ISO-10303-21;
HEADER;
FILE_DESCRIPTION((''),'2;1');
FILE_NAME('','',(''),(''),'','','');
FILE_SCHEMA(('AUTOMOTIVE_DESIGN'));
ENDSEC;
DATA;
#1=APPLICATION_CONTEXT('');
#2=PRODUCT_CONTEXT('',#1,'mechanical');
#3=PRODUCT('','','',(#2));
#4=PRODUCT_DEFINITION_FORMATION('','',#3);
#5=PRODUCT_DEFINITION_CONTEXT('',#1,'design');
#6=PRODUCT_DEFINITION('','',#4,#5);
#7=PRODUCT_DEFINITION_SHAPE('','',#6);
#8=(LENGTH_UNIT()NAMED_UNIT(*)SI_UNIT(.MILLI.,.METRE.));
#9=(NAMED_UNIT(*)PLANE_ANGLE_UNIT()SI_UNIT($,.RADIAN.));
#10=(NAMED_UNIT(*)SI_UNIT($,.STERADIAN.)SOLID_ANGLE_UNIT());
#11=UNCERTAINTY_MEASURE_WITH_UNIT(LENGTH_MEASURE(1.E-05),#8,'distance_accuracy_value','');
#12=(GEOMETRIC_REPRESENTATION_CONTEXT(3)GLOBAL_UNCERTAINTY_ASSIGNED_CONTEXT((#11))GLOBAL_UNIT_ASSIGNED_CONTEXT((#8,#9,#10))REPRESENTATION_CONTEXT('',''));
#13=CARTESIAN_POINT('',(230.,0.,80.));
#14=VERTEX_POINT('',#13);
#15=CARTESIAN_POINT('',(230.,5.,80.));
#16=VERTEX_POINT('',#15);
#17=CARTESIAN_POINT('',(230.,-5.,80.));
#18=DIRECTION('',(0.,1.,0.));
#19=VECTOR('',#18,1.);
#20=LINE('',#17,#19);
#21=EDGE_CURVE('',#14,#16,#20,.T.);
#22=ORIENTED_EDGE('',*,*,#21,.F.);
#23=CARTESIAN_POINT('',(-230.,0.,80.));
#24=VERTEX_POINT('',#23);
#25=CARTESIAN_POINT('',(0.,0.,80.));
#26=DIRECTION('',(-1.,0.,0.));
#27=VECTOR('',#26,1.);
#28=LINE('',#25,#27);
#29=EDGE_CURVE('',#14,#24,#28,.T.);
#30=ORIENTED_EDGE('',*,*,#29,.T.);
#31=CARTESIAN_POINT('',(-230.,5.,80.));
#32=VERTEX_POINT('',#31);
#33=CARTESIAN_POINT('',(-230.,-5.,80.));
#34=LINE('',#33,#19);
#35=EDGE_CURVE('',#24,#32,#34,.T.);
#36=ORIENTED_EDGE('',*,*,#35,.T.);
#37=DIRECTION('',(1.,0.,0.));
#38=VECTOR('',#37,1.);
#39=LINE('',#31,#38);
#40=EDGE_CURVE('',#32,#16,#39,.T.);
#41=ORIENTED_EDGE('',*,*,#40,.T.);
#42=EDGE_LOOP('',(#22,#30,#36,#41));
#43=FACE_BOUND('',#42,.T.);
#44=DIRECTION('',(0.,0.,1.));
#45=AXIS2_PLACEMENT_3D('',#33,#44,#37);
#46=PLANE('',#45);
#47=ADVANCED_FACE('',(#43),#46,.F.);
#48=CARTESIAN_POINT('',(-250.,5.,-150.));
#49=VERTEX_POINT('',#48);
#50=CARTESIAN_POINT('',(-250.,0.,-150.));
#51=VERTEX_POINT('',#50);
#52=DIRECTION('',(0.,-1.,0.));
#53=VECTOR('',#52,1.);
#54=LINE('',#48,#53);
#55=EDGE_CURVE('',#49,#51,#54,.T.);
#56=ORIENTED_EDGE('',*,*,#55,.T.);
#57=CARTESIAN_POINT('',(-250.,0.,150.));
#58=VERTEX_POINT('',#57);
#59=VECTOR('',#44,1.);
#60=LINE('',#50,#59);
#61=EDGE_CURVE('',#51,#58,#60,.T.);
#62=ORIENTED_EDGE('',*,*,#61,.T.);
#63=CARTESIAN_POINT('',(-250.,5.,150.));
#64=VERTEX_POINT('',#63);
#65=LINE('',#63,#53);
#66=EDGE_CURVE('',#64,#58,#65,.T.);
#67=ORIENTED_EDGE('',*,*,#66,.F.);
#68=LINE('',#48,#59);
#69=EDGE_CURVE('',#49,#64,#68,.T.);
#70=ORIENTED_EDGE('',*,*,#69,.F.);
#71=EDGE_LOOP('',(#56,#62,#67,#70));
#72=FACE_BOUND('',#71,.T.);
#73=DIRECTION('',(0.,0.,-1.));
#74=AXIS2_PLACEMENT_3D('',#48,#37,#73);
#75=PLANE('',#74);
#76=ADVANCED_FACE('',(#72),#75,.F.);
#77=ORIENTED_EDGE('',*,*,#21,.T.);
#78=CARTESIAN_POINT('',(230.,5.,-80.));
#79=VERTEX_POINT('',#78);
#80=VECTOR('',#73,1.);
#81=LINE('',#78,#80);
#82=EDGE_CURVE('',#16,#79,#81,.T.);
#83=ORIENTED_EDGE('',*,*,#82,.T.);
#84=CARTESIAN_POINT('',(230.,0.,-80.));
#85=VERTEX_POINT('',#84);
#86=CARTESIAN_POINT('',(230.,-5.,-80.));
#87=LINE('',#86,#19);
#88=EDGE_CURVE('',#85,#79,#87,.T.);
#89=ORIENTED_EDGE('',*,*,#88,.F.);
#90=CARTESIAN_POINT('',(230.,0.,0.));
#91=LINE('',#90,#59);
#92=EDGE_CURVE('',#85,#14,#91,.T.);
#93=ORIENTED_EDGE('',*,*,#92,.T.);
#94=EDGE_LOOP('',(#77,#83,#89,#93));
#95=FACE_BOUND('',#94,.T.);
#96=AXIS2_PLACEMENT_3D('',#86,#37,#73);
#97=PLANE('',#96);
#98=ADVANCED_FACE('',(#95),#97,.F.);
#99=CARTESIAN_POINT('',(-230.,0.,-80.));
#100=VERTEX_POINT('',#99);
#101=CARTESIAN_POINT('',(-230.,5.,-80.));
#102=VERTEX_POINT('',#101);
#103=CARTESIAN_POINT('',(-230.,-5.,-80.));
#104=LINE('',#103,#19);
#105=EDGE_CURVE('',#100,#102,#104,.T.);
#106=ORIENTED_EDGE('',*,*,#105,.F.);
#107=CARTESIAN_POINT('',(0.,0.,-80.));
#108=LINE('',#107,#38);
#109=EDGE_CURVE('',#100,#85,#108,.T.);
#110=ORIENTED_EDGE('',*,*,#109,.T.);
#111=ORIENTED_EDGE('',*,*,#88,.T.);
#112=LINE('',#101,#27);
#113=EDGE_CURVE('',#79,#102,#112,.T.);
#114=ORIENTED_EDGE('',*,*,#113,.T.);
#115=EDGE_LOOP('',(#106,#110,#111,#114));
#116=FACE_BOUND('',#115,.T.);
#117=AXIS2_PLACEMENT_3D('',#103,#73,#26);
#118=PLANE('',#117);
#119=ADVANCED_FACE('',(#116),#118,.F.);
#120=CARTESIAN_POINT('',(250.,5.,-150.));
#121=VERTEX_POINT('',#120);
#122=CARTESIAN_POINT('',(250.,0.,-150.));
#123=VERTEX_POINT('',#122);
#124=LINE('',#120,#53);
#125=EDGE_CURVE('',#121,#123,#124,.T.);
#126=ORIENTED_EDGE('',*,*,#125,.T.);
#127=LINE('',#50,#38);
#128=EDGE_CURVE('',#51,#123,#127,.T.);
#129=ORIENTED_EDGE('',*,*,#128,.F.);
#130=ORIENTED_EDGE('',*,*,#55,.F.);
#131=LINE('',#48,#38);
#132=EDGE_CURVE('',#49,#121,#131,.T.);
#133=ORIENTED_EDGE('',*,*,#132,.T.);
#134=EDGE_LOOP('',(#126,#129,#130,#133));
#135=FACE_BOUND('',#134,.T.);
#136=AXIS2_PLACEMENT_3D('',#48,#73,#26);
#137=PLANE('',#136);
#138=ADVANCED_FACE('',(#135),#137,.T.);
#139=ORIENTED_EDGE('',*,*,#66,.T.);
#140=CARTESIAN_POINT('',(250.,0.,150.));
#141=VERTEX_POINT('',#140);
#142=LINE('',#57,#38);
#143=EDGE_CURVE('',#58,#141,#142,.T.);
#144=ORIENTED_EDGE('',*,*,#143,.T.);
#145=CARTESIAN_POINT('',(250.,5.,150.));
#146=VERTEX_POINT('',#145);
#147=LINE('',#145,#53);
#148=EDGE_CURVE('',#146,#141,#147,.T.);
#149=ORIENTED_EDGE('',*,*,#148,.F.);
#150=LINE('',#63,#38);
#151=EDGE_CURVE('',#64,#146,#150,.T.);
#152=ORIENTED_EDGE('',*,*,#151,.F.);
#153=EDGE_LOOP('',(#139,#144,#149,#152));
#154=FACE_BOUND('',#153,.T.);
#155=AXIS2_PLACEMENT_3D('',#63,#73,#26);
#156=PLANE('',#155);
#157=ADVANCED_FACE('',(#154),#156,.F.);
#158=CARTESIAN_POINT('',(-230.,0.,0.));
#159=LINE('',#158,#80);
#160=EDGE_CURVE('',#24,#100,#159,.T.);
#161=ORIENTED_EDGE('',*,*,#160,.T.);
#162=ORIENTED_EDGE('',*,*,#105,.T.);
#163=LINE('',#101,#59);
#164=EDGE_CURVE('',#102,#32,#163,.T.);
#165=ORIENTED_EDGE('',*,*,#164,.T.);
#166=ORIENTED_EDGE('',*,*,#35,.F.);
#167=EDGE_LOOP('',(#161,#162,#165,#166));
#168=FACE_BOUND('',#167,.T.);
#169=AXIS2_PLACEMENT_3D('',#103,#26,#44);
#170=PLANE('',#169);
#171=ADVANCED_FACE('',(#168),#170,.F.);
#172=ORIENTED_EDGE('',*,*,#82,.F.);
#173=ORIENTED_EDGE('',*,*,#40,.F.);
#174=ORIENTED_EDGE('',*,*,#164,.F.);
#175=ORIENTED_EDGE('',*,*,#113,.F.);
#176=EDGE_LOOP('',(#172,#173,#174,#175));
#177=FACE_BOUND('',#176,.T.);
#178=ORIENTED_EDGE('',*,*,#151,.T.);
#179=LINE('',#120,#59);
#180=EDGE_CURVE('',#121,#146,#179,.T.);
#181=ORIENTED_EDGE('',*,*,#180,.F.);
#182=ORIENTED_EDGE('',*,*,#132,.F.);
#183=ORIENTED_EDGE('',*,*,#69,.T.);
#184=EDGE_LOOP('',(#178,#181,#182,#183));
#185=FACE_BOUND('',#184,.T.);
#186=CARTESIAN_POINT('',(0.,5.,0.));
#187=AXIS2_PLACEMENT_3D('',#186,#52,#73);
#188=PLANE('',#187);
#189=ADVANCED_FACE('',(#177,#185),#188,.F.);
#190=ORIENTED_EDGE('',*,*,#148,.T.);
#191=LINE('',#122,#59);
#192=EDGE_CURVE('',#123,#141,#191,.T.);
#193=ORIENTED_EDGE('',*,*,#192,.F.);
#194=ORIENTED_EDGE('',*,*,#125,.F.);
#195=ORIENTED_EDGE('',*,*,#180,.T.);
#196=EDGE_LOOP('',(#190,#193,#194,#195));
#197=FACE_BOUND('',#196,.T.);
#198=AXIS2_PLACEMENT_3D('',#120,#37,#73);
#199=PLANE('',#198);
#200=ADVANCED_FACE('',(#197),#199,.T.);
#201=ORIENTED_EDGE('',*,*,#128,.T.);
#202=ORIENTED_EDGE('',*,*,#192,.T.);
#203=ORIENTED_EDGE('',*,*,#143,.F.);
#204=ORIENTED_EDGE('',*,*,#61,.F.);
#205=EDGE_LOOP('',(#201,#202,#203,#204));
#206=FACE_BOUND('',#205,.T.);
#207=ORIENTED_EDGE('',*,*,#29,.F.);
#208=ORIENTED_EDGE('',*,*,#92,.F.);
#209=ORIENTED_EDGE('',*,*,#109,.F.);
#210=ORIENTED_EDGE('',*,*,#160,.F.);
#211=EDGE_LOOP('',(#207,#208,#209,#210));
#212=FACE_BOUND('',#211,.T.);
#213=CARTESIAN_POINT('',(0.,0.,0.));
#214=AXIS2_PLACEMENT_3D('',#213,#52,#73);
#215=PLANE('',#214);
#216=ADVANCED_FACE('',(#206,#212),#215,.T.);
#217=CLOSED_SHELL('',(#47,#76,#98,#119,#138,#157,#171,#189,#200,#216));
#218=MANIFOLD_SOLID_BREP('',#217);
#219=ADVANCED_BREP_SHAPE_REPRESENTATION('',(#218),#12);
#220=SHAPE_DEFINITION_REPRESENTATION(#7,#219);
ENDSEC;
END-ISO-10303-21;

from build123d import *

# Parameters (mm, degrees)
SKETCH1_W           = 500
SKETCH1_H           = 300
BOSS_EXTRUDE1_DEPTH = 5
SKETCH2_W           = 460
SKETCH2_H           = 160
CUT_EXTRUDE1_DEPTH  = 10


with BuildPart() as part:
    # Sketch1 → Boss-Extrude1 (new body)
    with BuildSketch(Plane(origin=(0, 0, 0), x_dir=(1, 0, 0), z_dir=(0, 1, 0))):
        Rectangle(SKETCH1_W, SKETCH1_H)
    extrude(amount=BOSS_EXTRUDE1_DEPTH)

    # Sketch2 → Cut-Extrude1 (cut)
    with BuildSketch(Plane(origin=(0, 5, 0), x_dir=(1, 0, 0), z_dir=(0, 1, 0))):
        Rectangle(SKETCH2_W, SKETCH2_H)
    extrude(amount=-CUT_EXTRUDE1_DEPTH, mode=Mode.SUBTRACT)


solid = part.part
